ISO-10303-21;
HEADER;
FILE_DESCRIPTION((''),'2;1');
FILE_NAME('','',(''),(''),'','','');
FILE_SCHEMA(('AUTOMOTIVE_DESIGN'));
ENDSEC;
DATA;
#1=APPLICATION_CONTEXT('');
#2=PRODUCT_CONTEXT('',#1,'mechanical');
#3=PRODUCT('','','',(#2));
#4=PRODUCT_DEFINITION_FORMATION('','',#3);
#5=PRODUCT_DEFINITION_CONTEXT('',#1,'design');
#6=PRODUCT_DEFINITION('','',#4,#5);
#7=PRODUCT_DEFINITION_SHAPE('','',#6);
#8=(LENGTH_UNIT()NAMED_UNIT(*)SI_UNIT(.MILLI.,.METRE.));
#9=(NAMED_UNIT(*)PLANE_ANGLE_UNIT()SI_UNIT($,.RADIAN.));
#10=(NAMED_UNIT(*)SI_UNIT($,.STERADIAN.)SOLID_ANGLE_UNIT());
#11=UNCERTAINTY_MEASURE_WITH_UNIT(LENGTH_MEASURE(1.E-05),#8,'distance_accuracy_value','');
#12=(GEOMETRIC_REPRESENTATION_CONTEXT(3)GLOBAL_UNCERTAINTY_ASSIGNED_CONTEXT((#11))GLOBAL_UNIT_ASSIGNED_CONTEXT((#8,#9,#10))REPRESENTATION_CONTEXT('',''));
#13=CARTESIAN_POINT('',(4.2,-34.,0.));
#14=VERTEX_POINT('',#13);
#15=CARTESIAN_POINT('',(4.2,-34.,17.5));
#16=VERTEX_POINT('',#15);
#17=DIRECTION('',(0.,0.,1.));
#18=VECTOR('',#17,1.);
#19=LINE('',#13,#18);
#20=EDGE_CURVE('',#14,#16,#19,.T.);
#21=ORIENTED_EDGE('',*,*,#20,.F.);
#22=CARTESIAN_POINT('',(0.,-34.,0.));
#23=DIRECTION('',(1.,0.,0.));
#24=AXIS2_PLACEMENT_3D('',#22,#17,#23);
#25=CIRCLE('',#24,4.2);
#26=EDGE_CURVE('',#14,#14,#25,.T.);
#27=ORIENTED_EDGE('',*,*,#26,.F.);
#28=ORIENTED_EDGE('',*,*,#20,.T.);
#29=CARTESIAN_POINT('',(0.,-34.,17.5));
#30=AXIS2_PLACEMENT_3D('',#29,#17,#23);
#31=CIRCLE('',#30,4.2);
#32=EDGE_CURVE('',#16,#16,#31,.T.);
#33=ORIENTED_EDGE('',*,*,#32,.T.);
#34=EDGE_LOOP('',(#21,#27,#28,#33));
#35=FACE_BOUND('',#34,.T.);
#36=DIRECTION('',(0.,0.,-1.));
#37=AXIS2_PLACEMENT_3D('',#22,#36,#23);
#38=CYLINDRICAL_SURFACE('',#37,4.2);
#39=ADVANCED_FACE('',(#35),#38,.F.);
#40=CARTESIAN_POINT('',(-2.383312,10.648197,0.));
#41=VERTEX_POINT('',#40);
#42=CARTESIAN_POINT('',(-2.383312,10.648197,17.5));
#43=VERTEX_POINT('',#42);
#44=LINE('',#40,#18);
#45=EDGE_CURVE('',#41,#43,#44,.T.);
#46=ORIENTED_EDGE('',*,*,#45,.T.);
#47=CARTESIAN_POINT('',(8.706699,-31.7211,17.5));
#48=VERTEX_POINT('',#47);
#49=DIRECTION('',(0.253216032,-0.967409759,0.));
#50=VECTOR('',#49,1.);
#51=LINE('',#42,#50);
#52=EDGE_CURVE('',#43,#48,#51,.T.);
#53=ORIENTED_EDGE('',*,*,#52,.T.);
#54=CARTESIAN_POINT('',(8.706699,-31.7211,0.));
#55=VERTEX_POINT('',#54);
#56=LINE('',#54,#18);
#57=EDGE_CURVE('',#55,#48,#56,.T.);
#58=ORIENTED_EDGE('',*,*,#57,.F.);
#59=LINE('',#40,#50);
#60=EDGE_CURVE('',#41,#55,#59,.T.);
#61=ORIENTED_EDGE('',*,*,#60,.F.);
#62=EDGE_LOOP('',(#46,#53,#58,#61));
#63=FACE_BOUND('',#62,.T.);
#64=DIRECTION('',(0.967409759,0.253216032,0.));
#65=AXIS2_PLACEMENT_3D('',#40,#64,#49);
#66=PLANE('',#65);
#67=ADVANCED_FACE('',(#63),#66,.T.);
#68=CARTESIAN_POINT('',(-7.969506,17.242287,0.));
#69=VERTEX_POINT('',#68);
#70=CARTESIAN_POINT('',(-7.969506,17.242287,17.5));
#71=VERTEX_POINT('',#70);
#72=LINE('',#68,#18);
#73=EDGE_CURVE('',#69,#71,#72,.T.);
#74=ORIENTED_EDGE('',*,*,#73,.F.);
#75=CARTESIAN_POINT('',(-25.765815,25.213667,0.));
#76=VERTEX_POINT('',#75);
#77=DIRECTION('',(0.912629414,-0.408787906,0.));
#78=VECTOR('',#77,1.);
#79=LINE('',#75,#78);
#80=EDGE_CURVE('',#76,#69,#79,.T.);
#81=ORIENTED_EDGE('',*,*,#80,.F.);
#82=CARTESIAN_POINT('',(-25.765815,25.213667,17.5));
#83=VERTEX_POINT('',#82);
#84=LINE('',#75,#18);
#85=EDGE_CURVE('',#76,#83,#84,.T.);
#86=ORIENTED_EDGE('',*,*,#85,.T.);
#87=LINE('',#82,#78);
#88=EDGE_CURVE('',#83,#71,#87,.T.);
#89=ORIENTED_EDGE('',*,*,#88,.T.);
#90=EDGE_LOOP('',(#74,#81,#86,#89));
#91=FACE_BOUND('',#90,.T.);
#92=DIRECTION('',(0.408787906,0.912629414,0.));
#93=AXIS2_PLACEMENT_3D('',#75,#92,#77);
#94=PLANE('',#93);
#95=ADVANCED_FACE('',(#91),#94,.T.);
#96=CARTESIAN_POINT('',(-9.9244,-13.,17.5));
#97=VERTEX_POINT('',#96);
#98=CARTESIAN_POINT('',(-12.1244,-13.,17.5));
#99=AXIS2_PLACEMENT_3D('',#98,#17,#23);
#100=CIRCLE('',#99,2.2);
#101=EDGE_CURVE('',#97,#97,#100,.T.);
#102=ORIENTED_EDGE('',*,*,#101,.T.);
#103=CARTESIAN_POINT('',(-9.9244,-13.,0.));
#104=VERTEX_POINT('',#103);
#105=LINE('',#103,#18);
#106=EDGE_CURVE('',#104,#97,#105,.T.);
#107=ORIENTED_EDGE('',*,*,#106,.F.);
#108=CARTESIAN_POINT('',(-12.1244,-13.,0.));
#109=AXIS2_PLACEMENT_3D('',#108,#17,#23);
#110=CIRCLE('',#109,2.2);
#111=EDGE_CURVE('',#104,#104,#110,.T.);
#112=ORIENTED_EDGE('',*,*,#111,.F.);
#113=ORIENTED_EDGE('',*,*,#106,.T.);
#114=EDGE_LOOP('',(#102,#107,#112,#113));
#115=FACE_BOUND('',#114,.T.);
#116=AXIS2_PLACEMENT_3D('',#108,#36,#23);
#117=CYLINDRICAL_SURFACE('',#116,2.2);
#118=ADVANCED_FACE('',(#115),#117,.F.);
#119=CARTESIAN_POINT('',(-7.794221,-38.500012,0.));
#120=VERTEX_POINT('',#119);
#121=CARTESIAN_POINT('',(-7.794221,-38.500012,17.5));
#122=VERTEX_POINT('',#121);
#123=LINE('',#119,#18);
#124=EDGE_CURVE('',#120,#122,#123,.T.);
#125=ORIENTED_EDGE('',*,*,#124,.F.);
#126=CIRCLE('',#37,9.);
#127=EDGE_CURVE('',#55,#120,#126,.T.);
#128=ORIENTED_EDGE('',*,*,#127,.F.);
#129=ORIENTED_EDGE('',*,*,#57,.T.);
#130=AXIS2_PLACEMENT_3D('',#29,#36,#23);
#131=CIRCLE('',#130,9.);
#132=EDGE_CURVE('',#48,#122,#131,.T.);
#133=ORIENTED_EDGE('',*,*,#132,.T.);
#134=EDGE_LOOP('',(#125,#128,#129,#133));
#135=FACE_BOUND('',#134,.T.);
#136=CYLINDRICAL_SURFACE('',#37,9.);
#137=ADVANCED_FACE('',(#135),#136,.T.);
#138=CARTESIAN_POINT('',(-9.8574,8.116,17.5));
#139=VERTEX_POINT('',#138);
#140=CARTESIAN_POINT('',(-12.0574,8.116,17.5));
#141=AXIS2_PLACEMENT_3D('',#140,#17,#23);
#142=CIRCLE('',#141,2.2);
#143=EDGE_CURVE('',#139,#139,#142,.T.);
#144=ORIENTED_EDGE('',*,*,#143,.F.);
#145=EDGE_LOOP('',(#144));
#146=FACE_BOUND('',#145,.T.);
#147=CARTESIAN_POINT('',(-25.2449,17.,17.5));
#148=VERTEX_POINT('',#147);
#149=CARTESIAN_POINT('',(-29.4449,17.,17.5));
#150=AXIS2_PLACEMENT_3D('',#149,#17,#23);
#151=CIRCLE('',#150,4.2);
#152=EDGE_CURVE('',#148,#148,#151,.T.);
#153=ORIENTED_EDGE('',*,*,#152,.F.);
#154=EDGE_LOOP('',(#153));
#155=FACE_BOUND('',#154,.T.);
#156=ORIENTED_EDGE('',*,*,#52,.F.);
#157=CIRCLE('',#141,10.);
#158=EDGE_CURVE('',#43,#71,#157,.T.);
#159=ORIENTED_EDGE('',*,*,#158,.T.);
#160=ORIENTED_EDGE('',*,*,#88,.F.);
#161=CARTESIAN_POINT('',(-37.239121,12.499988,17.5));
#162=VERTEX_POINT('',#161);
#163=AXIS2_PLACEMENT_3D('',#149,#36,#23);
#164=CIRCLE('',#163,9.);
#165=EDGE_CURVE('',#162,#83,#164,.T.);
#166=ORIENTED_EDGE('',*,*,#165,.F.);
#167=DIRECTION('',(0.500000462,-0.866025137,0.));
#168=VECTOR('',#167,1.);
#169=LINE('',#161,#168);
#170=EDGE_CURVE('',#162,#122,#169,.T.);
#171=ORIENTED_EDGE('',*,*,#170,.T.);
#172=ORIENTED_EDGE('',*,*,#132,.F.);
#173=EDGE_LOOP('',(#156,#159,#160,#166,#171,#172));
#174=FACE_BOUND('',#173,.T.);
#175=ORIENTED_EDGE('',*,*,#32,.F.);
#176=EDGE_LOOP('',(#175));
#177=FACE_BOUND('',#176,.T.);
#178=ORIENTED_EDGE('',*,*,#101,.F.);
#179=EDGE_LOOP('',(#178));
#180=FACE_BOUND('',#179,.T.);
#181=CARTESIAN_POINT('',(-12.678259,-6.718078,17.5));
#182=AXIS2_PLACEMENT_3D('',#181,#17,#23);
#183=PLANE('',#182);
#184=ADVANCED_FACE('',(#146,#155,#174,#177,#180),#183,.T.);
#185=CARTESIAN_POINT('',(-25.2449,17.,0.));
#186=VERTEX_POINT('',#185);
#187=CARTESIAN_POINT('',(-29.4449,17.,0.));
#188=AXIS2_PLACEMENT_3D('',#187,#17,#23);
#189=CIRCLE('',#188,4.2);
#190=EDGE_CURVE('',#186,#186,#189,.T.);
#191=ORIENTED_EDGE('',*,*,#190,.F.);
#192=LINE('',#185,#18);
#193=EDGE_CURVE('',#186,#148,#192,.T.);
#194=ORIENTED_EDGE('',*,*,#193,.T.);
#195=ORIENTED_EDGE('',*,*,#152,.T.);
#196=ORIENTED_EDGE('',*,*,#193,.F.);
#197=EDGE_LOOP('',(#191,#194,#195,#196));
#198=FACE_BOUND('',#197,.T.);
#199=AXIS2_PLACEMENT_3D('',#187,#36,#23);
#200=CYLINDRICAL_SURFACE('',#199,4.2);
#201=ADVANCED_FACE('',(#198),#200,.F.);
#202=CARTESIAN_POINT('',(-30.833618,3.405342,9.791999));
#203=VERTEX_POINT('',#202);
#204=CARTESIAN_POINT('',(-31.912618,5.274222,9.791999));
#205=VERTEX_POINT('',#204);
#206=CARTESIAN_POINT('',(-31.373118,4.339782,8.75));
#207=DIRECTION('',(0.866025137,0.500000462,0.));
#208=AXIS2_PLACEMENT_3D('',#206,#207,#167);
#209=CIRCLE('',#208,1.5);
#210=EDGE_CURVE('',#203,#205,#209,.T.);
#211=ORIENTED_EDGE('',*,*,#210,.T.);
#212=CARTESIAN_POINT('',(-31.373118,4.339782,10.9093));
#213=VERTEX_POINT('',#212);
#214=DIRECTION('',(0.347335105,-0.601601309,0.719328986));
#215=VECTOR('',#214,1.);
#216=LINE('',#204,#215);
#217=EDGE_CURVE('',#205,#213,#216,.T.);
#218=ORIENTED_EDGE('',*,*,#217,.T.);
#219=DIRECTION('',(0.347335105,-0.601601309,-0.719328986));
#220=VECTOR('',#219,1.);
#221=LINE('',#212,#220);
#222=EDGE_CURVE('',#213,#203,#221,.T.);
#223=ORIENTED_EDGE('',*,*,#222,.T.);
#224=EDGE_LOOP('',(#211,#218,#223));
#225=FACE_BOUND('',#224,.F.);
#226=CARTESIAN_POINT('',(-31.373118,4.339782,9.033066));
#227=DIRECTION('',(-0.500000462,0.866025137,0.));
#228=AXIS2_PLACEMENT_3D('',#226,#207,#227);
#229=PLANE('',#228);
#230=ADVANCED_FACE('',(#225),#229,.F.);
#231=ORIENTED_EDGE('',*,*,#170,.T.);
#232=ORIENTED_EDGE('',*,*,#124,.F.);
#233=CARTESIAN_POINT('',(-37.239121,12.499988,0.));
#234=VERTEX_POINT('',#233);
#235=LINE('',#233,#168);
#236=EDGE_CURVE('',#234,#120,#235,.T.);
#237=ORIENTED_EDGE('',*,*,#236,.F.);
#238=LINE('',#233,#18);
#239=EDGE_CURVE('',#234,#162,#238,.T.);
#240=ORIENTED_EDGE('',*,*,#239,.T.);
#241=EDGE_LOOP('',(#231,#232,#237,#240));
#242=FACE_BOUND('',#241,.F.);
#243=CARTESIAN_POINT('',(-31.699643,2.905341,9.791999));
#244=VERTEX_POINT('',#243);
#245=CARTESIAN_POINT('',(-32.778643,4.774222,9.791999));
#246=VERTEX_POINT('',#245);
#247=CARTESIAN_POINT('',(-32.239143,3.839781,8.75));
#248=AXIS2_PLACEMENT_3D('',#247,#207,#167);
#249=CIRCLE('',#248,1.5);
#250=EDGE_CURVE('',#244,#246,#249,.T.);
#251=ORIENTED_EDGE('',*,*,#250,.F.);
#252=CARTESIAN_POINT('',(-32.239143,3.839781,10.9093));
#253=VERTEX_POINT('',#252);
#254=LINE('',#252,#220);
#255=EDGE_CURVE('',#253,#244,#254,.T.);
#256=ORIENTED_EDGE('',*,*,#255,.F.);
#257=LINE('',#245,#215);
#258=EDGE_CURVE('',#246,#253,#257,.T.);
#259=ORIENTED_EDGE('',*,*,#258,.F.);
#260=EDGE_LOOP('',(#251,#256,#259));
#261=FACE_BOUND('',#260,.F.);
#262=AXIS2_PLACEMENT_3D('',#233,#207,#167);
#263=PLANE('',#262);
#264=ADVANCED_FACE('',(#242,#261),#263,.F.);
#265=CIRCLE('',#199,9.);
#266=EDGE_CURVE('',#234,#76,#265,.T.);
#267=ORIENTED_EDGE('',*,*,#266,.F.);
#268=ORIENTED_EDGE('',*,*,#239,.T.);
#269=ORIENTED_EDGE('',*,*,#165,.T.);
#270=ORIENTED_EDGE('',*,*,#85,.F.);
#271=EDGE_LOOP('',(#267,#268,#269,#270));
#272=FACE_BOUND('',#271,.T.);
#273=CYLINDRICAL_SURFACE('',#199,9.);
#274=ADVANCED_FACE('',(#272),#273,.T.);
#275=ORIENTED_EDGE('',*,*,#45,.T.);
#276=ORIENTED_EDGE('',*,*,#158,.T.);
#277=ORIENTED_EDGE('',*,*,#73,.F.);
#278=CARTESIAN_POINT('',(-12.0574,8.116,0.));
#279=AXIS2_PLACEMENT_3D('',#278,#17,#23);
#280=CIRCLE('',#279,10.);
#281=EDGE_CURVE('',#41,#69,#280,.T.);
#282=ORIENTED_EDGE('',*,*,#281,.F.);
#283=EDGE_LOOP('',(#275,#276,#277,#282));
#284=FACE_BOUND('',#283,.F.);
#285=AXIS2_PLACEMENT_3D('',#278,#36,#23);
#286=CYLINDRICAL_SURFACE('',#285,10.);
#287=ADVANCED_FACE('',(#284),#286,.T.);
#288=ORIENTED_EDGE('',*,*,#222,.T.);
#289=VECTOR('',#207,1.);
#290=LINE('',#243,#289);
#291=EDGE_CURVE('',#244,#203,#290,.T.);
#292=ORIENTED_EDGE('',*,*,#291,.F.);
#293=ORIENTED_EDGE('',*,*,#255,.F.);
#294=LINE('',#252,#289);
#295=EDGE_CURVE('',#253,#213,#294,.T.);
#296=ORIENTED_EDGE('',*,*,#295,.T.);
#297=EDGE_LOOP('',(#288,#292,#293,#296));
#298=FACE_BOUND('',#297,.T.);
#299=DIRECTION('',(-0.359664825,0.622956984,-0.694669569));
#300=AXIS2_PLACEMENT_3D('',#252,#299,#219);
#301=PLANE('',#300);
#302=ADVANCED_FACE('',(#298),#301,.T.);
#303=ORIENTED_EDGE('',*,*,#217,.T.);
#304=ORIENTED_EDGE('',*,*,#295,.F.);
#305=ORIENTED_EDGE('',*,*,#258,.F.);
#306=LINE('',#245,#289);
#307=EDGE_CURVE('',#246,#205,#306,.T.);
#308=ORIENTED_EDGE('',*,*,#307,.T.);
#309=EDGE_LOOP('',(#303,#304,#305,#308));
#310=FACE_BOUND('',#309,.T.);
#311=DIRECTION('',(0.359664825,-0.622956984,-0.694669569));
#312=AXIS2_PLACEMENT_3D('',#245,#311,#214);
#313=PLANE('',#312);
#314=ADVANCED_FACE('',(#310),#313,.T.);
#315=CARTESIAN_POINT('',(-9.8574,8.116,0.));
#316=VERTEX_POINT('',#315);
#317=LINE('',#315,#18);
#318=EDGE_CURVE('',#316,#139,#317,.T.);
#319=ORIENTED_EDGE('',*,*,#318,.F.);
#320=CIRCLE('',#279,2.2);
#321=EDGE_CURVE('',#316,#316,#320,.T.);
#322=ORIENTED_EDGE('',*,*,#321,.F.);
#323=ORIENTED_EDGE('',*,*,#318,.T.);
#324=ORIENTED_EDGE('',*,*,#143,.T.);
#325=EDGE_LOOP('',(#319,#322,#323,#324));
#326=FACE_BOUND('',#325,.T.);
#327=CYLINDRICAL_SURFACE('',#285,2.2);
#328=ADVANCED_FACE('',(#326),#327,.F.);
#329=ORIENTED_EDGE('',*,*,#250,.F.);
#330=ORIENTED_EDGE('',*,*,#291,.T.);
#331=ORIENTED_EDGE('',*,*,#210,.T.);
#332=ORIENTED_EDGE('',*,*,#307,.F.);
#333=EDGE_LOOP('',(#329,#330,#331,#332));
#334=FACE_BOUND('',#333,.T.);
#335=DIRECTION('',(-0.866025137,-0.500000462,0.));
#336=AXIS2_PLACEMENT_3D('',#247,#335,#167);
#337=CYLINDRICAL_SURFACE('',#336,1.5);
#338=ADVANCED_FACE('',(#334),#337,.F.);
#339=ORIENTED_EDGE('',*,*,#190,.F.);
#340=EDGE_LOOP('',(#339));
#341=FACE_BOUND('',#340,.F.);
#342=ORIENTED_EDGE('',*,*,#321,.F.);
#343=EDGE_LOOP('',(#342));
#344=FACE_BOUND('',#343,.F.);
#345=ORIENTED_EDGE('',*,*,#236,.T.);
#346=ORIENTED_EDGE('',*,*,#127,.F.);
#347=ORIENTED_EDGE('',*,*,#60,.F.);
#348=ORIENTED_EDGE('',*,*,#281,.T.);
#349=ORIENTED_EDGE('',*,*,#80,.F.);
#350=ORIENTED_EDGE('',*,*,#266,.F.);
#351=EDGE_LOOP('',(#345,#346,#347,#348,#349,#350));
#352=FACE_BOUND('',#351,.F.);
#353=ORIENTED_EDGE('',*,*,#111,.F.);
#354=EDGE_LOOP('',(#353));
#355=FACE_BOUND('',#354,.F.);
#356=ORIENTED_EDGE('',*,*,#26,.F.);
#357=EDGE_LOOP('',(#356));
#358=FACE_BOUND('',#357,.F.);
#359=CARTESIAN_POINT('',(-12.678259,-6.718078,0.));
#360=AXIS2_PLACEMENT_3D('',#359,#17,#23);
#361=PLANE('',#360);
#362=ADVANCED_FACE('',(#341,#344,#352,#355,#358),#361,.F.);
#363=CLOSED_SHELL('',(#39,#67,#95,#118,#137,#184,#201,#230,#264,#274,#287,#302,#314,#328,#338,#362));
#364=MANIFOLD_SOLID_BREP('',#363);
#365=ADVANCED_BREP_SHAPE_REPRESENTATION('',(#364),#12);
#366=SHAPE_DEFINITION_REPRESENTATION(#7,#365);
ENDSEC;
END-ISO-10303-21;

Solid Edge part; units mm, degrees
sketch "Sketch1" plane through (0, 0, 0) normal (0, 0, 1) x (1, 0, 0)
  line L0 (-37.2391, 12.5) -> (-7.7942, -38.5)
  line L1 (-25.7658, 25.2137) -> (-7.9695, 17.2423)
  arc A0 (-2.3833, 10.6482) -> (-7.9695, 17.2423) centre (-12.0574, 8.116) ccw
  line L2 (-2.3833, 10.6482) -> (8.7067, -31.7211)
  arc A1 (8.7067, -31.7211) -> (-7.7942, -38.5) centre (0, -34) cw
  arc A2 (-37.2391, 12.5) -> (-25.7658, 25.2137) centre (-29.4449, 17) cw
  circle A3 centre (-29.4449, 17) radius 4.2
  circle A4 centre (0, -34) radius 4.2
  circle A5 centre (-12.1244, -13) radius 2.2
  circle A6 centre (-12.0574, 8.116) radius 2.2
extrude "Protrusion1" add sketch "Sketch1" along normal blind 17.5
sketch "Sketch2" plane through (-22.5167, -13, 8.75) normal (-0.866, -0.5, 0) x (0.5, -0.866, 0)
  arc A0 (-18.3659, 1.042) -> (-20.5239, 1.042) centre (-19.4449, 0) cw
  line L0 (-20.5239, 1.042) -> (-19.4449, 2.1593)
  line L1 (-19.4449, 2.1593) -> (-18.3659, 1.042)
extrude "ExtrudedCutout_2" cut sketch "Sketch2" against normal blind 1
